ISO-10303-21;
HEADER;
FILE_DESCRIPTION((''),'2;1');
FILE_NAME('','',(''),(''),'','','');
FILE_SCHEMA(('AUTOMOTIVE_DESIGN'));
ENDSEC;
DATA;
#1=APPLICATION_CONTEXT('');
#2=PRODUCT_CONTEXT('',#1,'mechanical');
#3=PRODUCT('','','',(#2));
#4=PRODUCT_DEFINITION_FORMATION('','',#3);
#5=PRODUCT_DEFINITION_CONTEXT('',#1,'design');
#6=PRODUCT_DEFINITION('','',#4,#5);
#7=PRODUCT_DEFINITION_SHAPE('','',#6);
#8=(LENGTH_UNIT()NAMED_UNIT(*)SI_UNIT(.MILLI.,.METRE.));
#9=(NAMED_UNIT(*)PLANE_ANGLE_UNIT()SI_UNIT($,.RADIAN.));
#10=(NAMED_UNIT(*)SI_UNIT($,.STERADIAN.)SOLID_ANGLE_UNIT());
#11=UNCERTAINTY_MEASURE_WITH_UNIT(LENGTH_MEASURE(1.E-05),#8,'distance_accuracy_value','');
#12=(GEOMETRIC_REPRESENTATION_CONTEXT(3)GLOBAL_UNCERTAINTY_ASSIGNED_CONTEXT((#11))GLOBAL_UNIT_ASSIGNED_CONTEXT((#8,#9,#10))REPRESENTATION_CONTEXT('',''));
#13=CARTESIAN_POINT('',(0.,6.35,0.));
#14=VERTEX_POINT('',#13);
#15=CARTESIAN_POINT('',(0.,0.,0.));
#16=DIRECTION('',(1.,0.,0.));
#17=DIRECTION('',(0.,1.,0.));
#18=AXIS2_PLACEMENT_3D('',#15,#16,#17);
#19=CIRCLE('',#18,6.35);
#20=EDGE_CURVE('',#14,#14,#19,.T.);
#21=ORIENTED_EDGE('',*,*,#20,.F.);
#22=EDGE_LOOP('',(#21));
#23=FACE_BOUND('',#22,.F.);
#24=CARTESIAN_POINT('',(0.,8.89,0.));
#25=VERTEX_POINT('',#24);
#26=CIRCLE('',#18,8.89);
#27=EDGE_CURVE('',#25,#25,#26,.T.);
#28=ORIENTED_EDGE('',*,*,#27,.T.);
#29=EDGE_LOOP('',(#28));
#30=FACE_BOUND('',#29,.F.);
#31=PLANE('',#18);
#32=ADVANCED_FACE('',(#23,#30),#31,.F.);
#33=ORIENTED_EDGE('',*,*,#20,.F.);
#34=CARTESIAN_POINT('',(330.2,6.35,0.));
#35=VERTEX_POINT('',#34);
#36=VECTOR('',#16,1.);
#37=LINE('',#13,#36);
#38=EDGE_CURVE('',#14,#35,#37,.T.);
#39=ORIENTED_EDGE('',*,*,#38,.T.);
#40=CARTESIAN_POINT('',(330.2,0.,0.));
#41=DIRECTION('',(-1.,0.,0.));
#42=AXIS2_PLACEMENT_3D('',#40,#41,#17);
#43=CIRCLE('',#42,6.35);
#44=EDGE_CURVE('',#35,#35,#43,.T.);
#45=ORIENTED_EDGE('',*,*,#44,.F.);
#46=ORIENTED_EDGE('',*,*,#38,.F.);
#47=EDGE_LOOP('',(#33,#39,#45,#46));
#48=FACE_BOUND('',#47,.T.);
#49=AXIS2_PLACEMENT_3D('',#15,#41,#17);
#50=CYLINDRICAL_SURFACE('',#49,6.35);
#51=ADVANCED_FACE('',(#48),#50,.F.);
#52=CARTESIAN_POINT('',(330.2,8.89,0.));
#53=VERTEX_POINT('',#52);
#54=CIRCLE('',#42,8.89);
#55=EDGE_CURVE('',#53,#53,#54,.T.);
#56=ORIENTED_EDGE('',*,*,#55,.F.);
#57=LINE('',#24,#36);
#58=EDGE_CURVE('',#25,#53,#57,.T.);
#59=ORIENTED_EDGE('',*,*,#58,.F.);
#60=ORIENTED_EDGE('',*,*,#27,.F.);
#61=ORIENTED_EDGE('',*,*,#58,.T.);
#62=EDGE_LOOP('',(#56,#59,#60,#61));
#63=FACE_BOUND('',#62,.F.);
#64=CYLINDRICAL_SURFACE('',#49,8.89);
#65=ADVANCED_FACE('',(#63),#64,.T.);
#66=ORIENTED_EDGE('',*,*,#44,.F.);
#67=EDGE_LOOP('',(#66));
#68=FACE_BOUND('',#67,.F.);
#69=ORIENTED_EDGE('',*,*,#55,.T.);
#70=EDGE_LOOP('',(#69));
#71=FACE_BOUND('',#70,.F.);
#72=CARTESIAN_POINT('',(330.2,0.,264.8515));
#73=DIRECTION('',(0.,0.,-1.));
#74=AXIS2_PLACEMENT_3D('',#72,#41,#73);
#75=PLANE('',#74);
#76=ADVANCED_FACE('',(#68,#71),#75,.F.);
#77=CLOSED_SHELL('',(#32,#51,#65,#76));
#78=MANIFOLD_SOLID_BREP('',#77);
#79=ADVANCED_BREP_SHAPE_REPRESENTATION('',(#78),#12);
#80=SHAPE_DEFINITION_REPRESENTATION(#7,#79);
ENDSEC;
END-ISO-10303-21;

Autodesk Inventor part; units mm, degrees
ref_plane "YZ Plane" through (0, 0, 0) normal (1, 0, 0) x (0, 1, 0)
ref_plane "XZ Plane" through (0, 0, 0) normal (0, 1, 0) x (-1, 0, 0)
ref_plane "XY Plane" through (0, 0, 0) normal (0, 0, 1) x (1, 0, 0)
sketch "Sketch1" plane through (0, 0, 0) normal (1, 0, 0) x (0, 1, 0)
  circle A0 centre (0, 0) radius 6.35
  circle A1 centre (0, 0) radius 8.89
  dimension "d0" = 12.7
  dimension "d1" = 2.54
extrude "Extrusion1" add sketch "Sketch1" along normal blind 673.1
sketch "Sketch2" plane through (0, 0, 0) normal (0, 1, 0) x (-1, 0, 0)
  line L0 (0, -8.89) -> (0, 8.89) projected
  line L1 (0, -8.89) -> (-330.2, -8.89)
  line L2 (0, -8.89) -> (-673.1, -8.89) projected
  line L3 (-330.2, -8.89) -> (-897.1642, -8.89)
  line L4 (-897.1642, -8.89) -> (-897.1642, 264.8515)
  line L5 (-897.1642, 264.8515) -> (-330.2, 264.8515)
  line L6 (-330.2, 264.8515) -> (-330.2, -8.89)
  point P0 (0, 0)
  dimension "d4" = 330.2
extrude "Extrusion2" cut sketch "Sketch2" along normal mid plane 25.4
properties part number "ARM_009_13inSpacerPVC" material "PVC-Piping"
